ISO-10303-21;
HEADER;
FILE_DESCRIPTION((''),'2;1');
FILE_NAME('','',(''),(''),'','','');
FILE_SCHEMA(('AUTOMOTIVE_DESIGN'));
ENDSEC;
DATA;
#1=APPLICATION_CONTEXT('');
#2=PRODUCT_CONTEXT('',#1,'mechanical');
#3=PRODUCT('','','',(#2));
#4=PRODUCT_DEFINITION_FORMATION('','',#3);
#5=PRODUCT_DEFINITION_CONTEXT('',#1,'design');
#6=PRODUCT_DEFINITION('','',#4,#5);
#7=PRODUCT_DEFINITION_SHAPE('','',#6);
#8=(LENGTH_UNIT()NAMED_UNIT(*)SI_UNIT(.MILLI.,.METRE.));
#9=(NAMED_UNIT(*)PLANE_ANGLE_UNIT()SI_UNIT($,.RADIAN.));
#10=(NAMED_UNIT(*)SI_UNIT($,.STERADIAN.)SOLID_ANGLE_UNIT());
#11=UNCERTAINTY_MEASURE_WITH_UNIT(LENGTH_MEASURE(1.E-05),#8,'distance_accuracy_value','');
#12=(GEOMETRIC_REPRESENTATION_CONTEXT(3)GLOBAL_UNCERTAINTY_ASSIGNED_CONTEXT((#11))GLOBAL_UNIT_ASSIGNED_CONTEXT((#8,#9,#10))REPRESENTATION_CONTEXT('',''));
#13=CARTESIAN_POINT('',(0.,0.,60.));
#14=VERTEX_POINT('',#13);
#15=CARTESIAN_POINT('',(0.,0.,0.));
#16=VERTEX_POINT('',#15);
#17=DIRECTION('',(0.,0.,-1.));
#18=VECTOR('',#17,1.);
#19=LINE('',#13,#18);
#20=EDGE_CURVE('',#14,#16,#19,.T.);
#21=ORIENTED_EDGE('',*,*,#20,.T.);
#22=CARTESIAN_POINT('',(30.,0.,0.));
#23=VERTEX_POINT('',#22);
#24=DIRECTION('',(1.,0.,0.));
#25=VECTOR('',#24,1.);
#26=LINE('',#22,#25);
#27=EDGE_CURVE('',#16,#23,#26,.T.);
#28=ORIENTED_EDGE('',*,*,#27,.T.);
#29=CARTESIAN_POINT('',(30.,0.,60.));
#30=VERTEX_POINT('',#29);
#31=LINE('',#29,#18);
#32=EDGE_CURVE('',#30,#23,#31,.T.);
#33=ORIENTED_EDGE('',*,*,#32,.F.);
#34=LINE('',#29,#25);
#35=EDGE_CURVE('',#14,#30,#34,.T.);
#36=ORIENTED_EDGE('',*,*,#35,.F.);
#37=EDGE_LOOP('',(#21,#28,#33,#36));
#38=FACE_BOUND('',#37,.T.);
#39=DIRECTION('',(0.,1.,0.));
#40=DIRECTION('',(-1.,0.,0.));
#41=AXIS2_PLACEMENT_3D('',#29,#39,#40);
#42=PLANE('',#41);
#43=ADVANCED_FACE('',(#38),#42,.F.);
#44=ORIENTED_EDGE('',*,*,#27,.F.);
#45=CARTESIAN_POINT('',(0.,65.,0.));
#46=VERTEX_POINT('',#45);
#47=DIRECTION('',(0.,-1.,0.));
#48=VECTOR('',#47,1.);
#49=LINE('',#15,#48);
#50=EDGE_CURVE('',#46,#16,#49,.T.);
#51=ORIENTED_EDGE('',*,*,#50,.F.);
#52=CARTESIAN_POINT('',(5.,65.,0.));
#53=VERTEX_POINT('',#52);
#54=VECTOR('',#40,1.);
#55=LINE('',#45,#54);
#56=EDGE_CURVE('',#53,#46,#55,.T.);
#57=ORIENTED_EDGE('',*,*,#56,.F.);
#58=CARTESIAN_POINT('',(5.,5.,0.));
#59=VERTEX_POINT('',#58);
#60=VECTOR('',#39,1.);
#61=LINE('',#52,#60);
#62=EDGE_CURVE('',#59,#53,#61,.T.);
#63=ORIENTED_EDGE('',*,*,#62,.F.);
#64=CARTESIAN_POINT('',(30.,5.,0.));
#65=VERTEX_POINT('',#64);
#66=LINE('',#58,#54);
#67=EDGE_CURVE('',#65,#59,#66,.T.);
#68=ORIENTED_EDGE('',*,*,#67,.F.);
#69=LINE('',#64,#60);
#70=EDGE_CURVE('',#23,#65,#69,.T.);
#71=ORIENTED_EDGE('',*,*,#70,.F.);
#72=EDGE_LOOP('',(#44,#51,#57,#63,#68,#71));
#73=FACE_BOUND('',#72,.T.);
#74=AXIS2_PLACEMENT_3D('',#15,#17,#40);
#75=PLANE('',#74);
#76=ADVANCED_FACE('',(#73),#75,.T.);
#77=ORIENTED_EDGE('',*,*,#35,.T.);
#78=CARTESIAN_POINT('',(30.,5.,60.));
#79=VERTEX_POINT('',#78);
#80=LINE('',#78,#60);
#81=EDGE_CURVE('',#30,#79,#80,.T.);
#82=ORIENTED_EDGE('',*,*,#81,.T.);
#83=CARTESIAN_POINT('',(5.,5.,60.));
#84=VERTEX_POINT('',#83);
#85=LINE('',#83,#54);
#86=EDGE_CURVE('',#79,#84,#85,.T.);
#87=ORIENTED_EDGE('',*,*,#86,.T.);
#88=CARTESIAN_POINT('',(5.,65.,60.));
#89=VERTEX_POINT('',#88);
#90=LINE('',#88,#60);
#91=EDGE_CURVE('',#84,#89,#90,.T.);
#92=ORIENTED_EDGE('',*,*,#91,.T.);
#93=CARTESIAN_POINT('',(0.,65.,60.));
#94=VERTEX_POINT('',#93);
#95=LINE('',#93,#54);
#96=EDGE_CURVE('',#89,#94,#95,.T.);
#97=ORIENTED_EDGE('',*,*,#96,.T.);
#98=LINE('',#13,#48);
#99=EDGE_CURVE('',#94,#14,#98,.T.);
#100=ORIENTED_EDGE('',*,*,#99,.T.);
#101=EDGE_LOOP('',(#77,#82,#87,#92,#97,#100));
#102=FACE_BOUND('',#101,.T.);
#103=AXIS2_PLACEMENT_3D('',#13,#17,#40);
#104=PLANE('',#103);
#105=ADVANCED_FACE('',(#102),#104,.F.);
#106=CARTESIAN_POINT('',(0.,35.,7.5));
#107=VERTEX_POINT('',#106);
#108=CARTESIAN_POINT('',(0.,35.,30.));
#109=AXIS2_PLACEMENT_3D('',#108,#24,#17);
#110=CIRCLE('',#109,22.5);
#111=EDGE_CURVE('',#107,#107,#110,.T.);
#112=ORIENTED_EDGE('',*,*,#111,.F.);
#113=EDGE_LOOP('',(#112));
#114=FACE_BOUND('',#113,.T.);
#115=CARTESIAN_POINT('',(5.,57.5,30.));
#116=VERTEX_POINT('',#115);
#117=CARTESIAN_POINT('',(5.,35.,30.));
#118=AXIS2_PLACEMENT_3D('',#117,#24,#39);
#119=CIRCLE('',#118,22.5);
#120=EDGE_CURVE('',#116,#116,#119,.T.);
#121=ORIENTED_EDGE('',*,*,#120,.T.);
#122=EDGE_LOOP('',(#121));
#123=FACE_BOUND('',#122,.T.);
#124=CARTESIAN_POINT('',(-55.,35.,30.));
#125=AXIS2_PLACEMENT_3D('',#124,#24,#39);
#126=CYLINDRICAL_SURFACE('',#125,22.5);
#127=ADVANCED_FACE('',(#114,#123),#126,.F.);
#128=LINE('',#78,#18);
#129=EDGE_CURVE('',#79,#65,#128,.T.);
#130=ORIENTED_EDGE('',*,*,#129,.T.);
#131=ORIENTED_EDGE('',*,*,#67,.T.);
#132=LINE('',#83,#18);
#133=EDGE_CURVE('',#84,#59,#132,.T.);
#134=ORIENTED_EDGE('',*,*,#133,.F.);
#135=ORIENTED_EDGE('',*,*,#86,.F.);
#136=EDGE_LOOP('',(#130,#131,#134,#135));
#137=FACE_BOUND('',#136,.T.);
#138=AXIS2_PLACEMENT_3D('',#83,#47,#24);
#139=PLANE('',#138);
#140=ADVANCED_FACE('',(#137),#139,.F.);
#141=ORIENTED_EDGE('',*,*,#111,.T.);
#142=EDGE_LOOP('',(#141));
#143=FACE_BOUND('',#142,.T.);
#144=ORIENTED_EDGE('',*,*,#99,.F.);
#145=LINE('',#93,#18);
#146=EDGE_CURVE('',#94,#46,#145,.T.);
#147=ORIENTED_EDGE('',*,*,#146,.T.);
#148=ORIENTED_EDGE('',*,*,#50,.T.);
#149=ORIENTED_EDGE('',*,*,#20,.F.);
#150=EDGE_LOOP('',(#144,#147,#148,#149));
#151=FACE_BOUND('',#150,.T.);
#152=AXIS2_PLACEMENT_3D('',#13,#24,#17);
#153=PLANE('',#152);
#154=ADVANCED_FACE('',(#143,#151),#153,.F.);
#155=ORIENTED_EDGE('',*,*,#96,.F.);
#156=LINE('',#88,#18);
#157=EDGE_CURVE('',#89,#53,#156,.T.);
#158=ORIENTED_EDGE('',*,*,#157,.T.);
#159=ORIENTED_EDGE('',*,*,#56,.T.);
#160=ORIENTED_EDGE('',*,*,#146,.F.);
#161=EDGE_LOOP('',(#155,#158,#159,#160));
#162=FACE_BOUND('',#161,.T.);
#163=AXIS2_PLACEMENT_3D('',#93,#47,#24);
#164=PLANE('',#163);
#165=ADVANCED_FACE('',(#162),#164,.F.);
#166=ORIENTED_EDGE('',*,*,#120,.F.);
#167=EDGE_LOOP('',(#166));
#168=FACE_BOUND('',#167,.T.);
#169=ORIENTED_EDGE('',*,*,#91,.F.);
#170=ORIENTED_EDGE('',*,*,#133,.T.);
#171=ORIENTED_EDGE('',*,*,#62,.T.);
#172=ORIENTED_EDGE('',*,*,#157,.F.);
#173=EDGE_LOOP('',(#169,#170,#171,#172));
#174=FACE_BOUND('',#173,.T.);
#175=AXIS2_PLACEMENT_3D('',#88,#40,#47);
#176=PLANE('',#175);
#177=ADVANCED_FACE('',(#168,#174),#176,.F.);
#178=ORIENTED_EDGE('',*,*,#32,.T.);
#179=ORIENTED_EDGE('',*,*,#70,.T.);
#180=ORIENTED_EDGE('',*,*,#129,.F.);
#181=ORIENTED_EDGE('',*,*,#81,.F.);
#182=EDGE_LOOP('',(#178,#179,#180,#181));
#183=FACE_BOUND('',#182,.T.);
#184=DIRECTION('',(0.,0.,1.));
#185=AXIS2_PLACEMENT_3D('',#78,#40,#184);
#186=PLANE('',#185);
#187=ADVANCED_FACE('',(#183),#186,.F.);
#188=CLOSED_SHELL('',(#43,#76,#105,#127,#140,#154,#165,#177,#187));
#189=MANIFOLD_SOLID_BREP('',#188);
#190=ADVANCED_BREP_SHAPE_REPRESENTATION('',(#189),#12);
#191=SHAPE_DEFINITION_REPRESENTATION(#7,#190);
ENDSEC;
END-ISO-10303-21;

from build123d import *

# Parameters (mm, degrees)
BOSS_EXTRUDE1_DEPTH = 60
SKETCH8_R           = 22.5
CUT_EXTRUDE1_DEPTH  = 60


with BuildPart() as part:
    # Sketch7 → Boss-Extrude1 (new body)
    with BuildSketch(Plane.XY):
        Polygon((0, 0), (0, 65), (5, 65), (5, 5), (30, 5), (30, 0), align=None)
    extrude(amount=BOSS_EXTRUDE1_DEPTH)

    # Sketch8 → Cut-Extrude1 (cut)
    with BuildSketch(Plane(origin=(5, 0, 0), x_dir=(0, 0, -1), z_dir=(1, 0, 0))):
        with Locations(Location((-30, 35, 0), (0, 0, 90))):
            Circle(SKETCH8_R)
    extrude(amount=-CUT_EXTRUDE1_DEPTH, mode=Mode.SUBTRACT)


solid = part.part
